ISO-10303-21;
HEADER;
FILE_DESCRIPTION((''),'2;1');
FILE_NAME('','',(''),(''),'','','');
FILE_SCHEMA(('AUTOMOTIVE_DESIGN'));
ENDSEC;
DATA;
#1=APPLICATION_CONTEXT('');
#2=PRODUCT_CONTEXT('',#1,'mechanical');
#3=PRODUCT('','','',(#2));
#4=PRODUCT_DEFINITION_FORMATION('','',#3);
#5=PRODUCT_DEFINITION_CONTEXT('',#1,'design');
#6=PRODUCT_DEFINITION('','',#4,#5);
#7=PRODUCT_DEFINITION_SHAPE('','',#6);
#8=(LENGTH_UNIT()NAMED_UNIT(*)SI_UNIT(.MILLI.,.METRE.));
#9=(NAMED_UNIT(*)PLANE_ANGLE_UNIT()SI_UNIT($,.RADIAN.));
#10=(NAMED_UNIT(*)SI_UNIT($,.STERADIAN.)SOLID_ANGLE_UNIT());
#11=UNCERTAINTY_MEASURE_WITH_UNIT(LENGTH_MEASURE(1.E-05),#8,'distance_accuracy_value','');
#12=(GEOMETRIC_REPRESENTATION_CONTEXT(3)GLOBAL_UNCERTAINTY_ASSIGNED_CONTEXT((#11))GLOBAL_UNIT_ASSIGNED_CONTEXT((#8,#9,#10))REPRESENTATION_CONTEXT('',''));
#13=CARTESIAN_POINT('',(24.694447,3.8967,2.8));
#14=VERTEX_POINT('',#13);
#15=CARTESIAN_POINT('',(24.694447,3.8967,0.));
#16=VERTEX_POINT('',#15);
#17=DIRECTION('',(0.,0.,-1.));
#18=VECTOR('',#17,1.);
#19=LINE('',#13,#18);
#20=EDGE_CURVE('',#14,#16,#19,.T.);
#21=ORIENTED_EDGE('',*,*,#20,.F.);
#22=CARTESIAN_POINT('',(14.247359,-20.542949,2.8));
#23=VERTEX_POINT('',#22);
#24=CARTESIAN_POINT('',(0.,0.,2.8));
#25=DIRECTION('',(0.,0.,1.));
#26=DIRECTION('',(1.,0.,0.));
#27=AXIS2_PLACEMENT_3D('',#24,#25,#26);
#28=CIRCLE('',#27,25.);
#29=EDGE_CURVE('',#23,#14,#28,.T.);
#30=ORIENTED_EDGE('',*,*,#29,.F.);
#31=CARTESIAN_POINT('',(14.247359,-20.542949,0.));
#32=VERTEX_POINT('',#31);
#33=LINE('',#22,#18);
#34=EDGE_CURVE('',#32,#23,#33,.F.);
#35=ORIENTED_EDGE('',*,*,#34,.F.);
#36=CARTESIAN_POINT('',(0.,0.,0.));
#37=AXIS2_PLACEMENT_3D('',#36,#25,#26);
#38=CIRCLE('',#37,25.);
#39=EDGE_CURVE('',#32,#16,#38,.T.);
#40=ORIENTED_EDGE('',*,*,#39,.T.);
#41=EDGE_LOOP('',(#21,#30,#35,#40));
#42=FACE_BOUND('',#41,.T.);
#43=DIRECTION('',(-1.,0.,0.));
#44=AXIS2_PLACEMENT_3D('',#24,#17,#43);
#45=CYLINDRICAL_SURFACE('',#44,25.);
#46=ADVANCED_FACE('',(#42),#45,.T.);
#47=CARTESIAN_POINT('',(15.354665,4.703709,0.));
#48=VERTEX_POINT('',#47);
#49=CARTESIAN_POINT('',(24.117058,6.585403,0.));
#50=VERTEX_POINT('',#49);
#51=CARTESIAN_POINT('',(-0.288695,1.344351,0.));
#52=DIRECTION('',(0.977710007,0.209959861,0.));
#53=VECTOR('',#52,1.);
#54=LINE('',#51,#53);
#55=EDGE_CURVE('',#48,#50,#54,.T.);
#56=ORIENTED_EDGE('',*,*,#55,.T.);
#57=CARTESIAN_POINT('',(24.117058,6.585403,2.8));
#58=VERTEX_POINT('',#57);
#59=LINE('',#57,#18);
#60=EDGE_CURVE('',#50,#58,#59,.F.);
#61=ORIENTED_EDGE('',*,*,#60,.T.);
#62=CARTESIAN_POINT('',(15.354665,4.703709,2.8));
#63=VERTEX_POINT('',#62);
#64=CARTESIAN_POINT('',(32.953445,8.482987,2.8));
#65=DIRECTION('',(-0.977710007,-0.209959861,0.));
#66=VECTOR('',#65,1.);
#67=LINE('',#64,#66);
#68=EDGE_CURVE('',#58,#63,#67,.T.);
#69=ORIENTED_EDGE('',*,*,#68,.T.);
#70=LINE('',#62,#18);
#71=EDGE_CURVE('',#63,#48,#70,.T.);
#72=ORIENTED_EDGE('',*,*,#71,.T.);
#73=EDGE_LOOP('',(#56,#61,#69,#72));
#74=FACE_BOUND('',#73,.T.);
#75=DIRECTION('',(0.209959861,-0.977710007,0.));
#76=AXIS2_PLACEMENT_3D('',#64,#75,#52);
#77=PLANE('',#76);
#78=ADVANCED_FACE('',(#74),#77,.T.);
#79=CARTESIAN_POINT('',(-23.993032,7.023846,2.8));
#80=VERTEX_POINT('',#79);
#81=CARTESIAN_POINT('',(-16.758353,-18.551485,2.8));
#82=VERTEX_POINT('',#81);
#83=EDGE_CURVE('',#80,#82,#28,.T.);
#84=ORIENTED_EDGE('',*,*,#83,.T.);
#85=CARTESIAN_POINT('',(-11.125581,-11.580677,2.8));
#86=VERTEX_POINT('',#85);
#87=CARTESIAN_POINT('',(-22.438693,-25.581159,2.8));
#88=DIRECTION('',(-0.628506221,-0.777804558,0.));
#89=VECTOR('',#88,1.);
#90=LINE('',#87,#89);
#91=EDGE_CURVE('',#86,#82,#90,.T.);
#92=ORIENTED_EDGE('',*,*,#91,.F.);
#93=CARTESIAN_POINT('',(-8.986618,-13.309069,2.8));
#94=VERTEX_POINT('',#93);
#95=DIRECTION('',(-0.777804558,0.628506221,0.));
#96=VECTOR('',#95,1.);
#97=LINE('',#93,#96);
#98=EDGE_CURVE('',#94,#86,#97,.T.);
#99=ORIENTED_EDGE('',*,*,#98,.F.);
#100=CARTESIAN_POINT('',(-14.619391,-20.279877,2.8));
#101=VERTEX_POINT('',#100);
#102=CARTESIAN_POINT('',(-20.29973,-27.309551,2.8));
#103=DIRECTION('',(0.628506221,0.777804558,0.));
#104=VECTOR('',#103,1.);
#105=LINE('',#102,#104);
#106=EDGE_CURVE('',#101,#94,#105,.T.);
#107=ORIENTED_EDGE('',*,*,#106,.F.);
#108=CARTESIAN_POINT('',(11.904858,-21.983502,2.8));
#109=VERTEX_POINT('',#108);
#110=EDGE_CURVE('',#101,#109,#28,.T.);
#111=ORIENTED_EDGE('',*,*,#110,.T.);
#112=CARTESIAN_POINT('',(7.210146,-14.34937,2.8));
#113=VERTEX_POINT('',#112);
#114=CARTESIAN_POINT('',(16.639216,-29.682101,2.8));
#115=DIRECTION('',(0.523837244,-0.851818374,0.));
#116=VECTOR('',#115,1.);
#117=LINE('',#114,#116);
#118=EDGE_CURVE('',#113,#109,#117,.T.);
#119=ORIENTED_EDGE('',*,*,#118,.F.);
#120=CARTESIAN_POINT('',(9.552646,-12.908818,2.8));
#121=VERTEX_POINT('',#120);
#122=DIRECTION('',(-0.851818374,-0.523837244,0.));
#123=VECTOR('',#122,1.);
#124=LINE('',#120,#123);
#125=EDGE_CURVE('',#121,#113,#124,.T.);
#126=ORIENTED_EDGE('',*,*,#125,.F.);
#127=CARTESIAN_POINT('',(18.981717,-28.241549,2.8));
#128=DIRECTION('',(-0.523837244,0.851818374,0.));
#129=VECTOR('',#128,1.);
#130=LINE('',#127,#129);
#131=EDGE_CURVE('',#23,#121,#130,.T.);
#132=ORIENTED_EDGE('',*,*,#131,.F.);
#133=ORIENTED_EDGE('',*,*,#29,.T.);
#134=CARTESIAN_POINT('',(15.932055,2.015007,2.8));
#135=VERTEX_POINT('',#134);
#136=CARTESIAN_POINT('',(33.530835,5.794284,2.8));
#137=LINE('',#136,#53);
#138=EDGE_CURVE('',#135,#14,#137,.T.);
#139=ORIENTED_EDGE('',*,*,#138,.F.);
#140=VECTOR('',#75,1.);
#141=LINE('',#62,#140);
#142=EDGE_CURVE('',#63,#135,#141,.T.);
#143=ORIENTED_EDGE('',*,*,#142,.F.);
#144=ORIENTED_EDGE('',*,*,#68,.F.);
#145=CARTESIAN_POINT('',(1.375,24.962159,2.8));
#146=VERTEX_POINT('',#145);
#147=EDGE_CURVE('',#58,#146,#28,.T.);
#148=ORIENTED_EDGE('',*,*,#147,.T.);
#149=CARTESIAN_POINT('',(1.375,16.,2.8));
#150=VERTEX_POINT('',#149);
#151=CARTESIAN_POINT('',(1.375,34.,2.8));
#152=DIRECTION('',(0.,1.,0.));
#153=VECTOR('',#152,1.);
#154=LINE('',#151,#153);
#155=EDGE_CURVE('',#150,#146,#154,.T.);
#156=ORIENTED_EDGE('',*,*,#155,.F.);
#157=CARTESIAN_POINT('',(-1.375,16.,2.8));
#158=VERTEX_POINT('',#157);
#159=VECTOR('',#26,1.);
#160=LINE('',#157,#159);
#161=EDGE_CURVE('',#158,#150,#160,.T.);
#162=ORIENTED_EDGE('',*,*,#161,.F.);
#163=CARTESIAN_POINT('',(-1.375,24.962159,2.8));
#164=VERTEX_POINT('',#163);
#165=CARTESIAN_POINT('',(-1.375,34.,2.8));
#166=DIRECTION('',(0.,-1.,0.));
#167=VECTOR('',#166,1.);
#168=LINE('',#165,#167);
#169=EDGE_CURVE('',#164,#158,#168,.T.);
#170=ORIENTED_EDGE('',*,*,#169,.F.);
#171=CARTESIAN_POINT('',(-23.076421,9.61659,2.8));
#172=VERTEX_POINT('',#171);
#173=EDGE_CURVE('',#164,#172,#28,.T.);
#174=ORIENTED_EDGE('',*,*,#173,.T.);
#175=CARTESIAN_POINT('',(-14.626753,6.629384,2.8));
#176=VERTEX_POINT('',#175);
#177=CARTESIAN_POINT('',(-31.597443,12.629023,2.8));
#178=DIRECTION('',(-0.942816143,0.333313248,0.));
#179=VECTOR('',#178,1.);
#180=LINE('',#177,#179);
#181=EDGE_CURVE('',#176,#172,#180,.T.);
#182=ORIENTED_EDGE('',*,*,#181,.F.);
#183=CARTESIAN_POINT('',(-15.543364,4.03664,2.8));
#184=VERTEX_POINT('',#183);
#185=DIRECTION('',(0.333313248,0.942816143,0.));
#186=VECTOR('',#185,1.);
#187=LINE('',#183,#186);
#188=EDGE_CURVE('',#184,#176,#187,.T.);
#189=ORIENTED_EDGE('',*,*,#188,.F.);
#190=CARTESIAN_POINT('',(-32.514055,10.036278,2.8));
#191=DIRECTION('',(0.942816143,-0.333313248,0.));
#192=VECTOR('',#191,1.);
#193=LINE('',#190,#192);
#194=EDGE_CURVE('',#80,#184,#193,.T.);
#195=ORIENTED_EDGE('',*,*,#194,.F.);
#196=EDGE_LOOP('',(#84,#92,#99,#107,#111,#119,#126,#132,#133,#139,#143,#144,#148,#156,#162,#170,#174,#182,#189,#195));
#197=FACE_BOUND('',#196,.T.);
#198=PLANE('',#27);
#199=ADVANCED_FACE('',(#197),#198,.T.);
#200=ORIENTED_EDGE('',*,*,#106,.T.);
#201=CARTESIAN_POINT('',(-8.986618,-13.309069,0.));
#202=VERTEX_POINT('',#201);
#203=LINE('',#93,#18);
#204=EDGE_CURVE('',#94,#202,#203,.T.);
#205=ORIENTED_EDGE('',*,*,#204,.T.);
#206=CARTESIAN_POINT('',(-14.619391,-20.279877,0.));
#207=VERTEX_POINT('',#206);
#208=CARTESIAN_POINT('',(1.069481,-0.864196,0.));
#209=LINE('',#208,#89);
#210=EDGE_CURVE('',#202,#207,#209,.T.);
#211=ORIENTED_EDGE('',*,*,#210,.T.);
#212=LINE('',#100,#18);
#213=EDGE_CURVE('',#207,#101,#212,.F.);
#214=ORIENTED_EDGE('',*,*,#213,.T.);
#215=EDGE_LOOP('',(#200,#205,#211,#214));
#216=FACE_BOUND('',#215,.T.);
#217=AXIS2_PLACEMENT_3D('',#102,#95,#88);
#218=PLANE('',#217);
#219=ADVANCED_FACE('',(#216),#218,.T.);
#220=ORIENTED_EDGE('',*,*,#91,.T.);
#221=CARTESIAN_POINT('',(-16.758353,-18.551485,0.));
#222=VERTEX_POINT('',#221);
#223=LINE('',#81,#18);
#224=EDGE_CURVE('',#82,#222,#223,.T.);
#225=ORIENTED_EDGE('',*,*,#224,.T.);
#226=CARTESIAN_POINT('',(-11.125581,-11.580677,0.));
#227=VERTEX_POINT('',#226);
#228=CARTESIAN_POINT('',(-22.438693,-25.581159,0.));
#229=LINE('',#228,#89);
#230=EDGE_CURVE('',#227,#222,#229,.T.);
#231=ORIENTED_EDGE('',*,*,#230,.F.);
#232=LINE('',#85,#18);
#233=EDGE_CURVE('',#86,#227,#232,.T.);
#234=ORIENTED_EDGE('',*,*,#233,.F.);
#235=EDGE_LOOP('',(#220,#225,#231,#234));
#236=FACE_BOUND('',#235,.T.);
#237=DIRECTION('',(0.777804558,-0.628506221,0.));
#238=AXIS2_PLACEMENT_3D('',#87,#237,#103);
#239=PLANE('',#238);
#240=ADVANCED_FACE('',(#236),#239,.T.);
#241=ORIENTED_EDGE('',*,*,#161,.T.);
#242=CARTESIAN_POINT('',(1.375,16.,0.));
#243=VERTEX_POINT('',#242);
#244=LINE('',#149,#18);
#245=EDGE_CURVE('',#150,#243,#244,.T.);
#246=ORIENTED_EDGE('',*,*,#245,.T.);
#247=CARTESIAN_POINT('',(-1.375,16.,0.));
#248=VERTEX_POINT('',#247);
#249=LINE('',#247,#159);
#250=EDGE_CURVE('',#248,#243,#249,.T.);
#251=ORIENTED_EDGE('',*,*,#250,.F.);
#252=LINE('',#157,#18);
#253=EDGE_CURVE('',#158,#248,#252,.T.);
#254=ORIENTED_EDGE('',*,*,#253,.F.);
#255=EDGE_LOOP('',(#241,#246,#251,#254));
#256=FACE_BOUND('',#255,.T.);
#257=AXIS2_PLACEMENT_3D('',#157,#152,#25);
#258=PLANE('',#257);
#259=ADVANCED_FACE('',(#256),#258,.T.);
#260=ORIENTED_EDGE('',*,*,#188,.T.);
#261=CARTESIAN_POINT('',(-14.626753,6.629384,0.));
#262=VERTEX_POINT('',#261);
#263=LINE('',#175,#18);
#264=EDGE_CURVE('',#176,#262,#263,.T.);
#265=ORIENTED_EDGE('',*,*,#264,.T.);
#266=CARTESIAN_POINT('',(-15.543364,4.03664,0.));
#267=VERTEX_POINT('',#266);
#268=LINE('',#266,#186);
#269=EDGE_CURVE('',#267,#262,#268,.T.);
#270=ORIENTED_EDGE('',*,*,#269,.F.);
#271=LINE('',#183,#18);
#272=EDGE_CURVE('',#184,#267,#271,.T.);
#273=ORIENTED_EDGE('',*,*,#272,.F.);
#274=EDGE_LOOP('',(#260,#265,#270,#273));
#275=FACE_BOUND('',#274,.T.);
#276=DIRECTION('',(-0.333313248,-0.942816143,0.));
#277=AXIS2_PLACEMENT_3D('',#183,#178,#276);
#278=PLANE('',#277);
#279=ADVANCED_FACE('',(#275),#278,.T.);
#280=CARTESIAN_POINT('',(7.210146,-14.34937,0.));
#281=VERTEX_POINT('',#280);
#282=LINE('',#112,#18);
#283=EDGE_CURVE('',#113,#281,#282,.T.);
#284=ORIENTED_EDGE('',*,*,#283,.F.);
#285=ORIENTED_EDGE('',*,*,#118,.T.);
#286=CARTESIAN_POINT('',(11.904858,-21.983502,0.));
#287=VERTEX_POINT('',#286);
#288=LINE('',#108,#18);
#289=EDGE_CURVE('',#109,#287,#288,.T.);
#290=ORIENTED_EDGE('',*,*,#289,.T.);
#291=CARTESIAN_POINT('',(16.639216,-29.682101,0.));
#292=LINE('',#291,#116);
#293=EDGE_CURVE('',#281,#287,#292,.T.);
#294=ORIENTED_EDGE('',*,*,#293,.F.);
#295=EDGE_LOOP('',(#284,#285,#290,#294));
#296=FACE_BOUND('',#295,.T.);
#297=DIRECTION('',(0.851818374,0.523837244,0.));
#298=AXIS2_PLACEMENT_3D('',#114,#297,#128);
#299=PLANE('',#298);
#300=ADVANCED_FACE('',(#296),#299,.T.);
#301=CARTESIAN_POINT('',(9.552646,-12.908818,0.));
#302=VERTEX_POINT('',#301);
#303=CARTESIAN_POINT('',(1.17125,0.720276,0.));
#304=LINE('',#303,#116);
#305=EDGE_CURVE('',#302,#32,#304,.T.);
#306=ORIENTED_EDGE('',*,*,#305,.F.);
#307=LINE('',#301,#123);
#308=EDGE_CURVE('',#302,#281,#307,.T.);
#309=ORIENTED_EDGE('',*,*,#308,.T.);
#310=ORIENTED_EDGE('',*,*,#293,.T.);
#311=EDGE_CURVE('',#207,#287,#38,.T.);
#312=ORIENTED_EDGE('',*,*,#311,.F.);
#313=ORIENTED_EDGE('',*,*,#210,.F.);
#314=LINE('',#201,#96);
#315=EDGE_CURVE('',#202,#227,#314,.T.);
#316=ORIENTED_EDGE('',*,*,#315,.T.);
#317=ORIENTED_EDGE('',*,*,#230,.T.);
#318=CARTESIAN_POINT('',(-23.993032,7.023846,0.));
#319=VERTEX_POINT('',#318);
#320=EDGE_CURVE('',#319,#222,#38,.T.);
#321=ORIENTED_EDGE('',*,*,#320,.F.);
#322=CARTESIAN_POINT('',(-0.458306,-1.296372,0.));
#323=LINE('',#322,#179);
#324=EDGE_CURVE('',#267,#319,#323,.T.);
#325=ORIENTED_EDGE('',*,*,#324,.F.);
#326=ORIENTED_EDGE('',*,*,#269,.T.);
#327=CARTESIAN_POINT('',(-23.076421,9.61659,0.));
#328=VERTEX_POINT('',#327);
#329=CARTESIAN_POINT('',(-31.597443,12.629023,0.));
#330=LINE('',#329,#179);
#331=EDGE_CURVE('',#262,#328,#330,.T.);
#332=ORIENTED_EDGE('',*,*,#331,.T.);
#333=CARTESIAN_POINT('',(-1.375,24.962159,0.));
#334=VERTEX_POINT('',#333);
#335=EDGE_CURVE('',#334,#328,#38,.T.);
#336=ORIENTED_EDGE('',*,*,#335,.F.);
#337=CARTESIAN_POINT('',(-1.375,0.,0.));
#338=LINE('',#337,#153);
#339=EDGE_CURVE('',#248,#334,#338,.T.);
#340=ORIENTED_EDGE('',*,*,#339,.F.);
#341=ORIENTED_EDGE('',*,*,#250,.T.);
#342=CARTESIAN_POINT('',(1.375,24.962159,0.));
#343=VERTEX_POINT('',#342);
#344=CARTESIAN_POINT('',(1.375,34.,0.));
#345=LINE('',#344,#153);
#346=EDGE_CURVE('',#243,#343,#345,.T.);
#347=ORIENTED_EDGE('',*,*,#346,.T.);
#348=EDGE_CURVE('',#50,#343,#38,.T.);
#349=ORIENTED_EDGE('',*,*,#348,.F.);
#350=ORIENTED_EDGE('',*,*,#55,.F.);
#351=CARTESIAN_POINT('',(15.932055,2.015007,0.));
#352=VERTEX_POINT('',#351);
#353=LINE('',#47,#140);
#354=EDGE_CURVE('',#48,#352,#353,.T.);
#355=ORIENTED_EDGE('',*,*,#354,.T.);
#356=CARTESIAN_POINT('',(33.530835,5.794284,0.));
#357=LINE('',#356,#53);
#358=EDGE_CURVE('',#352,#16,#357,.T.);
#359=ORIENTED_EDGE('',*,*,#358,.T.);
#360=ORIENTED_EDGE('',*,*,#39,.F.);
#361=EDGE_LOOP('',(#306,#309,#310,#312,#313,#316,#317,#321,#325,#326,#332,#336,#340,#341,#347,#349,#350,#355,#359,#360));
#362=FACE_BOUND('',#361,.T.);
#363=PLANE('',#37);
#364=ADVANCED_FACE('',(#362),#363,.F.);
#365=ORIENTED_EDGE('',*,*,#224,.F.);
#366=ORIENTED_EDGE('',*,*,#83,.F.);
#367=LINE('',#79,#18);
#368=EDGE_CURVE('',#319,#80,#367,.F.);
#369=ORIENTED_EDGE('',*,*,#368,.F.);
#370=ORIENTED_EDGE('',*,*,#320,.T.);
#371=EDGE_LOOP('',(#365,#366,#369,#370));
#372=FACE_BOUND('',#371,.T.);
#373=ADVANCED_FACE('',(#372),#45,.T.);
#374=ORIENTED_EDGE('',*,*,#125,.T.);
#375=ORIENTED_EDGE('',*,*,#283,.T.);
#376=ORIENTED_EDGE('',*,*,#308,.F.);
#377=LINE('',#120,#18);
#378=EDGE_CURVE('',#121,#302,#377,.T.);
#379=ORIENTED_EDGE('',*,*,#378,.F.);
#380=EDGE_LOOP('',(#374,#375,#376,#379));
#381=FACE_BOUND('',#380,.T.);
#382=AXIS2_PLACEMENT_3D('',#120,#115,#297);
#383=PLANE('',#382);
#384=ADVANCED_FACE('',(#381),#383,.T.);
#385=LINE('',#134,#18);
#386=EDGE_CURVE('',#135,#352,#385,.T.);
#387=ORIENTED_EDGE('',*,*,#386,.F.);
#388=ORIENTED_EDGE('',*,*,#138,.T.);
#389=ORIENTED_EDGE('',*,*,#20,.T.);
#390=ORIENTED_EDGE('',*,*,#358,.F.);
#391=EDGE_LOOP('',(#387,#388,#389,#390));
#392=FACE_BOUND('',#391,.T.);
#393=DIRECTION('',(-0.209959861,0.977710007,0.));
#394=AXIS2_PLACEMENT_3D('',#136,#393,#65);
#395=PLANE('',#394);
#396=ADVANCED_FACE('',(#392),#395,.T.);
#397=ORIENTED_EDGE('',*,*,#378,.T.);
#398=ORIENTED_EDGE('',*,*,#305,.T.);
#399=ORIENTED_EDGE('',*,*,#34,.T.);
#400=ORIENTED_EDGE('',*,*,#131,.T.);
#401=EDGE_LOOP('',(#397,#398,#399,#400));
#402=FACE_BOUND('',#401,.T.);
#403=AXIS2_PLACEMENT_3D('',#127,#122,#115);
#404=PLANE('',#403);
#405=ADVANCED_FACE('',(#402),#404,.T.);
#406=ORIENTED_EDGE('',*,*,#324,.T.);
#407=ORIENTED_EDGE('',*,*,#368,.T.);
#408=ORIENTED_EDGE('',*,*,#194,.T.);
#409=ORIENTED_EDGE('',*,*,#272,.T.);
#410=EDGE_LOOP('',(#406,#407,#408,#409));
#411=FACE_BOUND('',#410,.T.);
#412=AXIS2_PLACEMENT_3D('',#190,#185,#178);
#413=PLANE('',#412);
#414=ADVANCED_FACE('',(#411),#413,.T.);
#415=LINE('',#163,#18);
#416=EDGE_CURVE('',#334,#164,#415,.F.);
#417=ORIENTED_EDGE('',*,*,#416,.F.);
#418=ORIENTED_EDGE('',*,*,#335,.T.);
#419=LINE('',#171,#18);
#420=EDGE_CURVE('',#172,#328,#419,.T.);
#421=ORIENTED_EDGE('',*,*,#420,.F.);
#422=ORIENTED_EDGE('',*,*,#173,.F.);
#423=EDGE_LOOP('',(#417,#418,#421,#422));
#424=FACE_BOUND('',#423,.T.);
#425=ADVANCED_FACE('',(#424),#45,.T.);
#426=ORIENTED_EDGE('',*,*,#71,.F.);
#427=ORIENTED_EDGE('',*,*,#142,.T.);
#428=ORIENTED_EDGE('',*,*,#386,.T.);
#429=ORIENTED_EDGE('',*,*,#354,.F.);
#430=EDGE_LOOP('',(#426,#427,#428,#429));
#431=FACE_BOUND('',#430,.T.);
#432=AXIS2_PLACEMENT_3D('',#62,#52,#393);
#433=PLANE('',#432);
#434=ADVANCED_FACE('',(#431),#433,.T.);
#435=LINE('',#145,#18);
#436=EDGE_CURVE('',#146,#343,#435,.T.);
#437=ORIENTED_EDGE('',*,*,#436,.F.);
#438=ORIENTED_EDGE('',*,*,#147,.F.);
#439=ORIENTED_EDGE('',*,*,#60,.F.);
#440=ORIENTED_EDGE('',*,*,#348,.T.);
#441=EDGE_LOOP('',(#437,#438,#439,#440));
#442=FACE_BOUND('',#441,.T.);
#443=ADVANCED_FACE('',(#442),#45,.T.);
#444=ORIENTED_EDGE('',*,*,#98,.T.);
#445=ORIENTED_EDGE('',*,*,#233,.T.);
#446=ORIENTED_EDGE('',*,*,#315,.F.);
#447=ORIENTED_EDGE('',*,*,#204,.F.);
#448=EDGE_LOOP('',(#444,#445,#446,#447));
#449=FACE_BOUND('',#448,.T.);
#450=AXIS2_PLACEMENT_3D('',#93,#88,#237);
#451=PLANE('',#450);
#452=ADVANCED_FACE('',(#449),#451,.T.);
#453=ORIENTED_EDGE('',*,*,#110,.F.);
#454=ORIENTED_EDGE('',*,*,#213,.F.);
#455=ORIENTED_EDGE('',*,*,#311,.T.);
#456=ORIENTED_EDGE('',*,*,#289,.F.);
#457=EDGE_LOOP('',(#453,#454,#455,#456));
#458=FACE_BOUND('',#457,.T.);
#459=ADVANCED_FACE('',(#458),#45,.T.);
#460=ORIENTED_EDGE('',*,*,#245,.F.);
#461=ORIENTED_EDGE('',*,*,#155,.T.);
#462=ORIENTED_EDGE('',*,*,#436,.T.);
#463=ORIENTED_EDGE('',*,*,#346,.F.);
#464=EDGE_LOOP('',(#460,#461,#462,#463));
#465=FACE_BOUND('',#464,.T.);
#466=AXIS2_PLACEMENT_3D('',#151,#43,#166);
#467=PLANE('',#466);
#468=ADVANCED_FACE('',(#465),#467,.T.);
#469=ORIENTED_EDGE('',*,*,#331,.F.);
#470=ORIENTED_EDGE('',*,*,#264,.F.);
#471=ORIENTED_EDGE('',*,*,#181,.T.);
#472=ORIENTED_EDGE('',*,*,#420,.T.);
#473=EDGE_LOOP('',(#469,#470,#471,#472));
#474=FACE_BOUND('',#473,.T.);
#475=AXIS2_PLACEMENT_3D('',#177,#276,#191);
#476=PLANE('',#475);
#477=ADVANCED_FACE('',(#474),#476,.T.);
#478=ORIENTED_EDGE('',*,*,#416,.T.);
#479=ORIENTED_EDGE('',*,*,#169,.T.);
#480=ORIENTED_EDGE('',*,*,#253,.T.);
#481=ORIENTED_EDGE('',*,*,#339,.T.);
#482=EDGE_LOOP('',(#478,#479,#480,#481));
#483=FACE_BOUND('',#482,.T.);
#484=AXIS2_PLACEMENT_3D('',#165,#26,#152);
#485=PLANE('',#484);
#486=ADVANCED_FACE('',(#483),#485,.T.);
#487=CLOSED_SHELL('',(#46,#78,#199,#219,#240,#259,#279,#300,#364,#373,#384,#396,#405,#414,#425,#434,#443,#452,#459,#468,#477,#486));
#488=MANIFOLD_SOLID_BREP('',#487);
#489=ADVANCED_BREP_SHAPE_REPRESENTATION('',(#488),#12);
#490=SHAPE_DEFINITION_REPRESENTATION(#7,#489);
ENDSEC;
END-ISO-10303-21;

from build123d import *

# Parameters (mm, degrees)
CROQUIS1_R              = 25
SALIENTE_EXTRUIR1_DEPTH = 2.8
CROQUIS2_W              = 2.75
CROQUIS2_H              = 18
CORTAR_EXTRUIR1_DEPTH   = 3.8
MATRIZC2_COUNT          = 5
MATRIZC2_ANGLE          = 282.12


with BuildPart() as part:
    # Croquis1 → Saliente-Extruir1 (new body)
    with BuildSketch(Plane.XY):
        Circle(CROQUIS1_R)
    extrude(amount=SALIENTE_EXTRUIR1_DEPTH)

    # Croquis2 → Cortar-Extruir1 (cut, through all)
    with BuildSketch(Plane.XY):
        with Locations((0, 25)):
            Rectangle(CROQUIS2_W, CROQUIS2_H)
    cortar_extruir1 = extrude(amount=CORTAR_EXTRUIR1_DEPTH, mode=Mode.SUBTRACT)

    # MatrizC2: Cortar-Extruir1 ×5 about axis
    matrizc2_axis = Axis((0, 0, 0), (0, 0, 1))
    for i in range(1, MATRIZC2_COUNT):
        add(cortar_extruir1.rotate(matrizc2_axis, i * MATRIZC2_ANGLE / (MATRIZC2_COUNT - 1)), mode=Mode.SUBTRACT)


solid = part.part
